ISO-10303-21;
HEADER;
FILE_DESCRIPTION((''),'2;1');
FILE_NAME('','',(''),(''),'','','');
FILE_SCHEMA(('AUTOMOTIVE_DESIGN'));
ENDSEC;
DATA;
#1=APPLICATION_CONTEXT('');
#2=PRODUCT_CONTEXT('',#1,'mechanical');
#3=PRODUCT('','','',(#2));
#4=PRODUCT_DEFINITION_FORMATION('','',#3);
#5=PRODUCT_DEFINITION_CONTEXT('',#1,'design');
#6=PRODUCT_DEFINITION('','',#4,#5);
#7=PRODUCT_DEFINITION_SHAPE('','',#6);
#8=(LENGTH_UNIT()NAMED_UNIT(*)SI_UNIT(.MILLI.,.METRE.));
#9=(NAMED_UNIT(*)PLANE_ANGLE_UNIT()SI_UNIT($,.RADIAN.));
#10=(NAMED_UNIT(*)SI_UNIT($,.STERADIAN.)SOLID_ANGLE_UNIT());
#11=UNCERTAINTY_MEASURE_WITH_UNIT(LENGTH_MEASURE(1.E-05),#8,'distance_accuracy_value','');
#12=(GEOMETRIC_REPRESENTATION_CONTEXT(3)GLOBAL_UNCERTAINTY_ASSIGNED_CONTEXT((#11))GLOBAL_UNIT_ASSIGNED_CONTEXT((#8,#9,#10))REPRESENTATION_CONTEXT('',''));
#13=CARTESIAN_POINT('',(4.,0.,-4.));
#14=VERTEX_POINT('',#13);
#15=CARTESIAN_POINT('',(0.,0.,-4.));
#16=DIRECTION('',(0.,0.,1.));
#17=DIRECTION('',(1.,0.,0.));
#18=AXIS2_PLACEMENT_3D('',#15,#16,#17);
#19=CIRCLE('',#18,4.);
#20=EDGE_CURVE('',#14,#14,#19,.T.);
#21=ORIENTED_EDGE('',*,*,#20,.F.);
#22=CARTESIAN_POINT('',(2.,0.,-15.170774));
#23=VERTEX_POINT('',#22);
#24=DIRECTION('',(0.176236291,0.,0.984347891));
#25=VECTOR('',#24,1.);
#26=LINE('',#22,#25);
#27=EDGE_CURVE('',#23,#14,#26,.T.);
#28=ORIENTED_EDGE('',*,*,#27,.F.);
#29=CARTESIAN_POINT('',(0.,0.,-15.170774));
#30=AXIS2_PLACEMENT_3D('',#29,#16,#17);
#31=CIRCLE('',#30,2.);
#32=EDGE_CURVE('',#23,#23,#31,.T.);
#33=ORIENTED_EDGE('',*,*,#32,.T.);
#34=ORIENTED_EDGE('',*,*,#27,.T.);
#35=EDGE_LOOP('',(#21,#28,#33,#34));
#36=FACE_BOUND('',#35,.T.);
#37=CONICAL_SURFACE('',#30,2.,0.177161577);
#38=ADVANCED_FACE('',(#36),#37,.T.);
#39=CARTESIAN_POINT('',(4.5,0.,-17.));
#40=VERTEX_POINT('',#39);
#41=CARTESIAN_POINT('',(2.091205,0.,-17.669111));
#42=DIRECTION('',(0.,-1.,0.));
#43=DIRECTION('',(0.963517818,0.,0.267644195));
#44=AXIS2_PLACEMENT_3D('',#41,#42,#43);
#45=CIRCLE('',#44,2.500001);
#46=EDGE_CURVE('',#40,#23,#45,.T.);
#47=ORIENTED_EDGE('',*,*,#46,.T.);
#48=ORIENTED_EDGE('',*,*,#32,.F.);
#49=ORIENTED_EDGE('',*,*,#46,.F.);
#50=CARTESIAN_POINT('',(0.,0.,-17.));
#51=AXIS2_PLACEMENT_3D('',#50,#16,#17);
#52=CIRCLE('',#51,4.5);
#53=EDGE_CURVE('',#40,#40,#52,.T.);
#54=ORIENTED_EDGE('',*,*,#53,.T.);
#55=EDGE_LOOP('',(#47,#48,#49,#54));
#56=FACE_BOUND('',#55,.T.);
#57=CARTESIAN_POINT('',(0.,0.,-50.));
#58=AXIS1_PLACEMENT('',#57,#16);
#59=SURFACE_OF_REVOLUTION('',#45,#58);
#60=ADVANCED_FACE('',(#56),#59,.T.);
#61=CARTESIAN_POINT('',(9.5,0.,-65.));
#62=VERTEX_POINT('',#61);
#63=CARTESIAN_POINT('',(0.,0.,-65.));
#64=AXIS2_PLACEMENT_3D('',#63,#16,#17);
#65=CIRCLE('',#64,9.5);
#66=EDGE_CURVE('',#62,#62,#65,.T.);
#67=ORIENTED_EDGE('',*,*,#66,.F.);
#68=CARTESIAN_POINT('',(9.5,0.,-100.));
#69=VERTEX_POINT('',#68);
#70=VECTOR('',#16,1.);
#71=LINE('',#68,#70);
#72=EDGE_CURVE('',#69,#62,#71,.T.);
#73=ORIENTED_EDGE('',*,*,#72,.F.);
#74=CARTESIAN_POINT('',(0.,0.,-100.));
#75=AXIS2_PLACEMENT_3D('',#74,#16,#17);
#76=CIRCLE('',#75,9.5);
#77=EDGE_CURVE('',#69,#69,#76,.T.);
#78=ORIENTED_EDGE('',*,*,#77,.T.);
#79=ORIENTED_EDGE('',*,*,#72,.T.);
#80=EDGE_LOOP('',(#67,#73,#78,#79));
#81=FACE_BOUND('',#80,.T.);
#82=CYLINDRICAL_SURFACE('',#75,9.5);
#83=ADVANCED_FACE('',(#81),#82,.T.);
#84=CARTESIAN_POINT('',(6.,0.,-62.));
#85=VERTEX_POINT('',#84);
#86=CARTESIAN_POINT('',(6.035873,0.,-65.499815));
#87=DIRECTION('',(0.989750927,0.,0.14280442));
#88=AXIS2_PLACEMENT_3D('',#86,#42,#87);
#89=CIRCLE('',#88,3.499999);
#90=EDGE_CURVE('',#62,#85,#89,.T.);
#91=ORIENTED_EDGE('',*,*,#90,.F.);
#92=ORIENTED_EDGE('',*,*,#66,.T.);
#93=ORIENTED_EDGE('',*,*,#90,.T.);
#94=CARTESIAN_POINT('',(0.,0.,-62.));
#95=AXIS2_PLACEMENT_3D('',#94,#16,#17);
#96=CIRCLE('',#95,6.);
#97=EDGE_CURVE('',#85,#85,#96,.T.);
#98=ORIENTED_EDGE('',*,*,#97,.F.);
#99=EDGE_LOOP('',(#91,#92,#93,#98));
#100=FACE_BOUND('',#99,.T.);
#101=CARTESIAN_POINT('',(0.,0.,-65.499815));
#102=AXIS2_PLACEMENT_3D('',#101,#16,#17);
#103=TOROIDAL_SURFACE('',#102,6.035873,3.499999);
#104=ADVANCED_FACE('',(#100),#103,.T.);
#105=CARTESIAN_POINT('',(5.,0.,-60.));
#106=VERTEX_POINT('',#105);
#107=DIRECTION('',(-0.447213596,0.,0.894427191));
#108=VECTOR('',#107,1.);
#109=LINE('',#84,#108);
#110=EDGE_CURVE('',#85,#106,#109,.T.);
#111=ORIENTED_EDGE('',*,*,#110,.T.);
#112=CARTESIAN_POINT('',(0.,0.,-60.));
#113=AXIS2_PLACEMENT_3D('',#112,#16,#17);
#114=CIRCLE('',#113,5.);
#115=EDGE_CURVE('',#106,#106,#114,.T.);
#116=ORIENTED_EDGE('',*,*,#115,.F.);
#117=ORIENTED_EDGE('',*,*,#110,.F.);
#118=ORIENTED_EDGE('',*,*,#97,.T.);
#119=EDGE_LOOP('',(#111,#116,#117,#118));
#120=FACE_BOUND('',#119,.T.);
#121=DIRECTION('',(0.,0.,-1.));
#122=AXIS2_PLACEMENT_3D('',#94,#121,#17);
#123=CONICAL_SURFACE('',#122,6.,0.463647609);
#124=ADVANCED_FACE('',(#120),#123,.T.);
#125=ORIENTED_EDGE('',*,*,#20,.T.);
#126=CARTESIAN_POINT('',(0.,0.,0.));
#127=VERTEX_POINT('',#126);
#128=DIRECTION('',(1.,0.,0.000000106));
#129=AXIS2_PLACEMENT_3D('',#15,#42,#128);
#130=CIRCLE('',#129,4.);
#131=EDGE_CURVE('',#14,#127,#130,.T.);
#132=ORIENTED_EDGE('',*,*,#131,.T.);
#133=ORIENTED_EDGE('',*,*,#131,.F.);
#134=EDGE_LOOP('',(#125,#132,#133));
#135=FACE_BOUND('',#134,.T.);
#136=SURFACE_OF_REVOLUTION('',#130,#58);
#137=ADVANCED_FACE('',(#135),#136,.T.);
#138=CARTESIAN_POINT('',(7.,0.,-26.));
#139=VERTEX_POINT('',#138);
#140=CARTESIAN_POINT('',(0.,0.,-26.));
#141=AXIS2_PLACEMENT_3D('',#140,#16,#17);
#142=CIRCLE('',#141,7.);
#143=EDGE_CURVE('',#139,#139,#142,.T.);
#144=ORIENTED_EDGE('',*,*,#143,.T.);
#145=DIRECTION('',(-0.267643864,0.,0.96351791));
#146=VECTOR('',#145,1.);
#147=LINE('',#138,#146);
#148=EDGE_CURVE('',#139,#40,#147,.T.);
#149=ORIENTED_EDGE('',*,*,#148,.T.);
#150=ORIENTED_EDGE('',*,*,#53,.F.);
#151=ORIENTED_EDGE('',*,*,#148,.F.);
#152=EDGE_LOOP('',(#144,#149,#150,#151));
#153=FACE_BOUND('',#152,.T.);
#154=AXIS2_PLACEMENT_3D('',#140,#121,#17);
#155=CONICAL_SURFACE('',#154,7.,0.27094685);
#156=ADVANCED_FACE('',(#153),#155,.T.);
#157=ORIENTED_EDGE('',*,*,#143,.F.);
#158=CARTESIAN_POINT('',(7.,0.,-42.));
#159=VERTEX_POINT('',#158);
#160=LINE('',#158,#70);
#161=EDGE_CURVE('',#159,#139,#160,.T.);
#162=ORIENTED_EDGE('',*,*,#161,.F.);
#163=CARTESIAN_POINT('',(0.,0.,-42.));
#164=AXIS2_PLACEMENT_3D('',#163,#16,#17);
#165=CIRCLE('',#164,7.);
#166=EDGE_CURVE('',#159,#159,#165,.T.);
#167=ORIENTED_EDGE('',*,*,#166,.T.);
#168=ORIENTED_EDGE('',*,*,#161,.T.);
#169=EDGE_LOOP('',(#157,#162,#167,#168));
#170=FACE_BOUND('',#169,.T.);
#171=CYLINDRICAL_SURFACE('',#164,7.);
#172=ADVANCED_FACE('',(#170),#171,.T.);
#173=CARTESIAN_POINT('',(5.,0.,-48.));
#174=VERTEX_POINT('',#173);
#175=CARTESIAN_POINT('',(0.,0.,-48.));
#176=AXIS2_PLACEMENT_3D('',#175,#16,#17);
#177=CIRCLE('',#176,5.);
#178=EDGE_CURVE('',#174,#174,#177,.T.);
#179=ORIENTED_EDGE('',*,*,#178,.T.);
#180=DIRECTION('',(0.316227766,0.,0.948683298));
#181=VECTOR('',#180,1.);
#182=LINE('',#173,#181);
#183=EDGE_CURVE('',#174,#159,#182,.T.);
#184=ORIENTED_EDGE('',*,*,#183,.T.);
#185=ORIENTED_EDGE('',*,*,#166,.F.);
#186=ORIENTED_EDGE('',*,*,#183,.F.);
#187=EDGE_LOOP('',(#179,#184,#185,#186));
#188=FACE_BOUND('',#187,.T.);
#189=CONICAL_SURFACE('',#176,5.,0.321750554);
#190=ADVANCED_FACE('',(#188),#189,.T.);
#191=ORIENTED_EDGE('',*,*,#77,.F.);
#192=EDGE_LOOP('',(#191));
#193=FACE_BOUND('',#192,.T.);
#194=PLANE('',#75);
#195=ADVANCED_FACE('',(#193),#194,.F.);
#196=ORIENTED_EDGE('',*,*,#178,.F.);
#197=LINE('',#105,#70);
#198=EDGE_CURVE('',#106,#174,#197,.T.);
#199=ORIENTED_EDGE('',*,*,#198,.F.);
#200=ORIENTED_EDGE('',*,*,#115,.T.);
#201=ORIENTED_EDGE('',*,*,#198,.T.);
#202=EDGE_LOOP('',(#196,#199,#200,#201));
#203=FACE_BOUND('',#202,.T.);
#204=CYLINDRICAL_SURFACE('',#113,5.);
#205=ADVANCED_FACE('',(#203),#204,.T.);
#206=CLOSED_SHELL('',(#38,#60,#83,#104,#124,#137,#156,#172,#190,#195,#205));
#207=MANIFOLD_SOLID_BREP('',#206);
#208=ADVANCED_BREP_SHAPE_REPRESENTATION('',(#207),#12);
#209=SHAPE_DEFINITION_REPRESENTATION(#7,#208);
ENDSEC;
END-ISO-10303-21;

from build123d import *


with BuildPart() as f1:
    # F0 (on Front) → F1 (revolve)
    with BuildSketch(Plane.XZ):
        with BuildLine():
            Line((2, -15.170774), (4, -4))
            ThreePointArc((4, -4), (2.828427, -1.171573), (0, 0))
            Line((0, 0), (0, -100))
            Line((0, -100), (9.5, -100))
            Line((9.5, -100), (9.5, -65))
            ThreePointArc((9.5, -65), (8.313642, -62.842418), (6, -62))
            Line((6, -62), (5, -60))
            Line((5, -60), (5, -48))
            Line((5, -48), (7, -42))
            Line((7, -42), (7, -26))
            Line((7, -26), (4.5, -17))
            ThreePointArc((4.5, -17), (3.567458, -15.651518), (2, -15.170774))
        make_face()
    revolve(axis=Axis((0, 0, -50), (0, 0, 1)))


solid = f1.part
